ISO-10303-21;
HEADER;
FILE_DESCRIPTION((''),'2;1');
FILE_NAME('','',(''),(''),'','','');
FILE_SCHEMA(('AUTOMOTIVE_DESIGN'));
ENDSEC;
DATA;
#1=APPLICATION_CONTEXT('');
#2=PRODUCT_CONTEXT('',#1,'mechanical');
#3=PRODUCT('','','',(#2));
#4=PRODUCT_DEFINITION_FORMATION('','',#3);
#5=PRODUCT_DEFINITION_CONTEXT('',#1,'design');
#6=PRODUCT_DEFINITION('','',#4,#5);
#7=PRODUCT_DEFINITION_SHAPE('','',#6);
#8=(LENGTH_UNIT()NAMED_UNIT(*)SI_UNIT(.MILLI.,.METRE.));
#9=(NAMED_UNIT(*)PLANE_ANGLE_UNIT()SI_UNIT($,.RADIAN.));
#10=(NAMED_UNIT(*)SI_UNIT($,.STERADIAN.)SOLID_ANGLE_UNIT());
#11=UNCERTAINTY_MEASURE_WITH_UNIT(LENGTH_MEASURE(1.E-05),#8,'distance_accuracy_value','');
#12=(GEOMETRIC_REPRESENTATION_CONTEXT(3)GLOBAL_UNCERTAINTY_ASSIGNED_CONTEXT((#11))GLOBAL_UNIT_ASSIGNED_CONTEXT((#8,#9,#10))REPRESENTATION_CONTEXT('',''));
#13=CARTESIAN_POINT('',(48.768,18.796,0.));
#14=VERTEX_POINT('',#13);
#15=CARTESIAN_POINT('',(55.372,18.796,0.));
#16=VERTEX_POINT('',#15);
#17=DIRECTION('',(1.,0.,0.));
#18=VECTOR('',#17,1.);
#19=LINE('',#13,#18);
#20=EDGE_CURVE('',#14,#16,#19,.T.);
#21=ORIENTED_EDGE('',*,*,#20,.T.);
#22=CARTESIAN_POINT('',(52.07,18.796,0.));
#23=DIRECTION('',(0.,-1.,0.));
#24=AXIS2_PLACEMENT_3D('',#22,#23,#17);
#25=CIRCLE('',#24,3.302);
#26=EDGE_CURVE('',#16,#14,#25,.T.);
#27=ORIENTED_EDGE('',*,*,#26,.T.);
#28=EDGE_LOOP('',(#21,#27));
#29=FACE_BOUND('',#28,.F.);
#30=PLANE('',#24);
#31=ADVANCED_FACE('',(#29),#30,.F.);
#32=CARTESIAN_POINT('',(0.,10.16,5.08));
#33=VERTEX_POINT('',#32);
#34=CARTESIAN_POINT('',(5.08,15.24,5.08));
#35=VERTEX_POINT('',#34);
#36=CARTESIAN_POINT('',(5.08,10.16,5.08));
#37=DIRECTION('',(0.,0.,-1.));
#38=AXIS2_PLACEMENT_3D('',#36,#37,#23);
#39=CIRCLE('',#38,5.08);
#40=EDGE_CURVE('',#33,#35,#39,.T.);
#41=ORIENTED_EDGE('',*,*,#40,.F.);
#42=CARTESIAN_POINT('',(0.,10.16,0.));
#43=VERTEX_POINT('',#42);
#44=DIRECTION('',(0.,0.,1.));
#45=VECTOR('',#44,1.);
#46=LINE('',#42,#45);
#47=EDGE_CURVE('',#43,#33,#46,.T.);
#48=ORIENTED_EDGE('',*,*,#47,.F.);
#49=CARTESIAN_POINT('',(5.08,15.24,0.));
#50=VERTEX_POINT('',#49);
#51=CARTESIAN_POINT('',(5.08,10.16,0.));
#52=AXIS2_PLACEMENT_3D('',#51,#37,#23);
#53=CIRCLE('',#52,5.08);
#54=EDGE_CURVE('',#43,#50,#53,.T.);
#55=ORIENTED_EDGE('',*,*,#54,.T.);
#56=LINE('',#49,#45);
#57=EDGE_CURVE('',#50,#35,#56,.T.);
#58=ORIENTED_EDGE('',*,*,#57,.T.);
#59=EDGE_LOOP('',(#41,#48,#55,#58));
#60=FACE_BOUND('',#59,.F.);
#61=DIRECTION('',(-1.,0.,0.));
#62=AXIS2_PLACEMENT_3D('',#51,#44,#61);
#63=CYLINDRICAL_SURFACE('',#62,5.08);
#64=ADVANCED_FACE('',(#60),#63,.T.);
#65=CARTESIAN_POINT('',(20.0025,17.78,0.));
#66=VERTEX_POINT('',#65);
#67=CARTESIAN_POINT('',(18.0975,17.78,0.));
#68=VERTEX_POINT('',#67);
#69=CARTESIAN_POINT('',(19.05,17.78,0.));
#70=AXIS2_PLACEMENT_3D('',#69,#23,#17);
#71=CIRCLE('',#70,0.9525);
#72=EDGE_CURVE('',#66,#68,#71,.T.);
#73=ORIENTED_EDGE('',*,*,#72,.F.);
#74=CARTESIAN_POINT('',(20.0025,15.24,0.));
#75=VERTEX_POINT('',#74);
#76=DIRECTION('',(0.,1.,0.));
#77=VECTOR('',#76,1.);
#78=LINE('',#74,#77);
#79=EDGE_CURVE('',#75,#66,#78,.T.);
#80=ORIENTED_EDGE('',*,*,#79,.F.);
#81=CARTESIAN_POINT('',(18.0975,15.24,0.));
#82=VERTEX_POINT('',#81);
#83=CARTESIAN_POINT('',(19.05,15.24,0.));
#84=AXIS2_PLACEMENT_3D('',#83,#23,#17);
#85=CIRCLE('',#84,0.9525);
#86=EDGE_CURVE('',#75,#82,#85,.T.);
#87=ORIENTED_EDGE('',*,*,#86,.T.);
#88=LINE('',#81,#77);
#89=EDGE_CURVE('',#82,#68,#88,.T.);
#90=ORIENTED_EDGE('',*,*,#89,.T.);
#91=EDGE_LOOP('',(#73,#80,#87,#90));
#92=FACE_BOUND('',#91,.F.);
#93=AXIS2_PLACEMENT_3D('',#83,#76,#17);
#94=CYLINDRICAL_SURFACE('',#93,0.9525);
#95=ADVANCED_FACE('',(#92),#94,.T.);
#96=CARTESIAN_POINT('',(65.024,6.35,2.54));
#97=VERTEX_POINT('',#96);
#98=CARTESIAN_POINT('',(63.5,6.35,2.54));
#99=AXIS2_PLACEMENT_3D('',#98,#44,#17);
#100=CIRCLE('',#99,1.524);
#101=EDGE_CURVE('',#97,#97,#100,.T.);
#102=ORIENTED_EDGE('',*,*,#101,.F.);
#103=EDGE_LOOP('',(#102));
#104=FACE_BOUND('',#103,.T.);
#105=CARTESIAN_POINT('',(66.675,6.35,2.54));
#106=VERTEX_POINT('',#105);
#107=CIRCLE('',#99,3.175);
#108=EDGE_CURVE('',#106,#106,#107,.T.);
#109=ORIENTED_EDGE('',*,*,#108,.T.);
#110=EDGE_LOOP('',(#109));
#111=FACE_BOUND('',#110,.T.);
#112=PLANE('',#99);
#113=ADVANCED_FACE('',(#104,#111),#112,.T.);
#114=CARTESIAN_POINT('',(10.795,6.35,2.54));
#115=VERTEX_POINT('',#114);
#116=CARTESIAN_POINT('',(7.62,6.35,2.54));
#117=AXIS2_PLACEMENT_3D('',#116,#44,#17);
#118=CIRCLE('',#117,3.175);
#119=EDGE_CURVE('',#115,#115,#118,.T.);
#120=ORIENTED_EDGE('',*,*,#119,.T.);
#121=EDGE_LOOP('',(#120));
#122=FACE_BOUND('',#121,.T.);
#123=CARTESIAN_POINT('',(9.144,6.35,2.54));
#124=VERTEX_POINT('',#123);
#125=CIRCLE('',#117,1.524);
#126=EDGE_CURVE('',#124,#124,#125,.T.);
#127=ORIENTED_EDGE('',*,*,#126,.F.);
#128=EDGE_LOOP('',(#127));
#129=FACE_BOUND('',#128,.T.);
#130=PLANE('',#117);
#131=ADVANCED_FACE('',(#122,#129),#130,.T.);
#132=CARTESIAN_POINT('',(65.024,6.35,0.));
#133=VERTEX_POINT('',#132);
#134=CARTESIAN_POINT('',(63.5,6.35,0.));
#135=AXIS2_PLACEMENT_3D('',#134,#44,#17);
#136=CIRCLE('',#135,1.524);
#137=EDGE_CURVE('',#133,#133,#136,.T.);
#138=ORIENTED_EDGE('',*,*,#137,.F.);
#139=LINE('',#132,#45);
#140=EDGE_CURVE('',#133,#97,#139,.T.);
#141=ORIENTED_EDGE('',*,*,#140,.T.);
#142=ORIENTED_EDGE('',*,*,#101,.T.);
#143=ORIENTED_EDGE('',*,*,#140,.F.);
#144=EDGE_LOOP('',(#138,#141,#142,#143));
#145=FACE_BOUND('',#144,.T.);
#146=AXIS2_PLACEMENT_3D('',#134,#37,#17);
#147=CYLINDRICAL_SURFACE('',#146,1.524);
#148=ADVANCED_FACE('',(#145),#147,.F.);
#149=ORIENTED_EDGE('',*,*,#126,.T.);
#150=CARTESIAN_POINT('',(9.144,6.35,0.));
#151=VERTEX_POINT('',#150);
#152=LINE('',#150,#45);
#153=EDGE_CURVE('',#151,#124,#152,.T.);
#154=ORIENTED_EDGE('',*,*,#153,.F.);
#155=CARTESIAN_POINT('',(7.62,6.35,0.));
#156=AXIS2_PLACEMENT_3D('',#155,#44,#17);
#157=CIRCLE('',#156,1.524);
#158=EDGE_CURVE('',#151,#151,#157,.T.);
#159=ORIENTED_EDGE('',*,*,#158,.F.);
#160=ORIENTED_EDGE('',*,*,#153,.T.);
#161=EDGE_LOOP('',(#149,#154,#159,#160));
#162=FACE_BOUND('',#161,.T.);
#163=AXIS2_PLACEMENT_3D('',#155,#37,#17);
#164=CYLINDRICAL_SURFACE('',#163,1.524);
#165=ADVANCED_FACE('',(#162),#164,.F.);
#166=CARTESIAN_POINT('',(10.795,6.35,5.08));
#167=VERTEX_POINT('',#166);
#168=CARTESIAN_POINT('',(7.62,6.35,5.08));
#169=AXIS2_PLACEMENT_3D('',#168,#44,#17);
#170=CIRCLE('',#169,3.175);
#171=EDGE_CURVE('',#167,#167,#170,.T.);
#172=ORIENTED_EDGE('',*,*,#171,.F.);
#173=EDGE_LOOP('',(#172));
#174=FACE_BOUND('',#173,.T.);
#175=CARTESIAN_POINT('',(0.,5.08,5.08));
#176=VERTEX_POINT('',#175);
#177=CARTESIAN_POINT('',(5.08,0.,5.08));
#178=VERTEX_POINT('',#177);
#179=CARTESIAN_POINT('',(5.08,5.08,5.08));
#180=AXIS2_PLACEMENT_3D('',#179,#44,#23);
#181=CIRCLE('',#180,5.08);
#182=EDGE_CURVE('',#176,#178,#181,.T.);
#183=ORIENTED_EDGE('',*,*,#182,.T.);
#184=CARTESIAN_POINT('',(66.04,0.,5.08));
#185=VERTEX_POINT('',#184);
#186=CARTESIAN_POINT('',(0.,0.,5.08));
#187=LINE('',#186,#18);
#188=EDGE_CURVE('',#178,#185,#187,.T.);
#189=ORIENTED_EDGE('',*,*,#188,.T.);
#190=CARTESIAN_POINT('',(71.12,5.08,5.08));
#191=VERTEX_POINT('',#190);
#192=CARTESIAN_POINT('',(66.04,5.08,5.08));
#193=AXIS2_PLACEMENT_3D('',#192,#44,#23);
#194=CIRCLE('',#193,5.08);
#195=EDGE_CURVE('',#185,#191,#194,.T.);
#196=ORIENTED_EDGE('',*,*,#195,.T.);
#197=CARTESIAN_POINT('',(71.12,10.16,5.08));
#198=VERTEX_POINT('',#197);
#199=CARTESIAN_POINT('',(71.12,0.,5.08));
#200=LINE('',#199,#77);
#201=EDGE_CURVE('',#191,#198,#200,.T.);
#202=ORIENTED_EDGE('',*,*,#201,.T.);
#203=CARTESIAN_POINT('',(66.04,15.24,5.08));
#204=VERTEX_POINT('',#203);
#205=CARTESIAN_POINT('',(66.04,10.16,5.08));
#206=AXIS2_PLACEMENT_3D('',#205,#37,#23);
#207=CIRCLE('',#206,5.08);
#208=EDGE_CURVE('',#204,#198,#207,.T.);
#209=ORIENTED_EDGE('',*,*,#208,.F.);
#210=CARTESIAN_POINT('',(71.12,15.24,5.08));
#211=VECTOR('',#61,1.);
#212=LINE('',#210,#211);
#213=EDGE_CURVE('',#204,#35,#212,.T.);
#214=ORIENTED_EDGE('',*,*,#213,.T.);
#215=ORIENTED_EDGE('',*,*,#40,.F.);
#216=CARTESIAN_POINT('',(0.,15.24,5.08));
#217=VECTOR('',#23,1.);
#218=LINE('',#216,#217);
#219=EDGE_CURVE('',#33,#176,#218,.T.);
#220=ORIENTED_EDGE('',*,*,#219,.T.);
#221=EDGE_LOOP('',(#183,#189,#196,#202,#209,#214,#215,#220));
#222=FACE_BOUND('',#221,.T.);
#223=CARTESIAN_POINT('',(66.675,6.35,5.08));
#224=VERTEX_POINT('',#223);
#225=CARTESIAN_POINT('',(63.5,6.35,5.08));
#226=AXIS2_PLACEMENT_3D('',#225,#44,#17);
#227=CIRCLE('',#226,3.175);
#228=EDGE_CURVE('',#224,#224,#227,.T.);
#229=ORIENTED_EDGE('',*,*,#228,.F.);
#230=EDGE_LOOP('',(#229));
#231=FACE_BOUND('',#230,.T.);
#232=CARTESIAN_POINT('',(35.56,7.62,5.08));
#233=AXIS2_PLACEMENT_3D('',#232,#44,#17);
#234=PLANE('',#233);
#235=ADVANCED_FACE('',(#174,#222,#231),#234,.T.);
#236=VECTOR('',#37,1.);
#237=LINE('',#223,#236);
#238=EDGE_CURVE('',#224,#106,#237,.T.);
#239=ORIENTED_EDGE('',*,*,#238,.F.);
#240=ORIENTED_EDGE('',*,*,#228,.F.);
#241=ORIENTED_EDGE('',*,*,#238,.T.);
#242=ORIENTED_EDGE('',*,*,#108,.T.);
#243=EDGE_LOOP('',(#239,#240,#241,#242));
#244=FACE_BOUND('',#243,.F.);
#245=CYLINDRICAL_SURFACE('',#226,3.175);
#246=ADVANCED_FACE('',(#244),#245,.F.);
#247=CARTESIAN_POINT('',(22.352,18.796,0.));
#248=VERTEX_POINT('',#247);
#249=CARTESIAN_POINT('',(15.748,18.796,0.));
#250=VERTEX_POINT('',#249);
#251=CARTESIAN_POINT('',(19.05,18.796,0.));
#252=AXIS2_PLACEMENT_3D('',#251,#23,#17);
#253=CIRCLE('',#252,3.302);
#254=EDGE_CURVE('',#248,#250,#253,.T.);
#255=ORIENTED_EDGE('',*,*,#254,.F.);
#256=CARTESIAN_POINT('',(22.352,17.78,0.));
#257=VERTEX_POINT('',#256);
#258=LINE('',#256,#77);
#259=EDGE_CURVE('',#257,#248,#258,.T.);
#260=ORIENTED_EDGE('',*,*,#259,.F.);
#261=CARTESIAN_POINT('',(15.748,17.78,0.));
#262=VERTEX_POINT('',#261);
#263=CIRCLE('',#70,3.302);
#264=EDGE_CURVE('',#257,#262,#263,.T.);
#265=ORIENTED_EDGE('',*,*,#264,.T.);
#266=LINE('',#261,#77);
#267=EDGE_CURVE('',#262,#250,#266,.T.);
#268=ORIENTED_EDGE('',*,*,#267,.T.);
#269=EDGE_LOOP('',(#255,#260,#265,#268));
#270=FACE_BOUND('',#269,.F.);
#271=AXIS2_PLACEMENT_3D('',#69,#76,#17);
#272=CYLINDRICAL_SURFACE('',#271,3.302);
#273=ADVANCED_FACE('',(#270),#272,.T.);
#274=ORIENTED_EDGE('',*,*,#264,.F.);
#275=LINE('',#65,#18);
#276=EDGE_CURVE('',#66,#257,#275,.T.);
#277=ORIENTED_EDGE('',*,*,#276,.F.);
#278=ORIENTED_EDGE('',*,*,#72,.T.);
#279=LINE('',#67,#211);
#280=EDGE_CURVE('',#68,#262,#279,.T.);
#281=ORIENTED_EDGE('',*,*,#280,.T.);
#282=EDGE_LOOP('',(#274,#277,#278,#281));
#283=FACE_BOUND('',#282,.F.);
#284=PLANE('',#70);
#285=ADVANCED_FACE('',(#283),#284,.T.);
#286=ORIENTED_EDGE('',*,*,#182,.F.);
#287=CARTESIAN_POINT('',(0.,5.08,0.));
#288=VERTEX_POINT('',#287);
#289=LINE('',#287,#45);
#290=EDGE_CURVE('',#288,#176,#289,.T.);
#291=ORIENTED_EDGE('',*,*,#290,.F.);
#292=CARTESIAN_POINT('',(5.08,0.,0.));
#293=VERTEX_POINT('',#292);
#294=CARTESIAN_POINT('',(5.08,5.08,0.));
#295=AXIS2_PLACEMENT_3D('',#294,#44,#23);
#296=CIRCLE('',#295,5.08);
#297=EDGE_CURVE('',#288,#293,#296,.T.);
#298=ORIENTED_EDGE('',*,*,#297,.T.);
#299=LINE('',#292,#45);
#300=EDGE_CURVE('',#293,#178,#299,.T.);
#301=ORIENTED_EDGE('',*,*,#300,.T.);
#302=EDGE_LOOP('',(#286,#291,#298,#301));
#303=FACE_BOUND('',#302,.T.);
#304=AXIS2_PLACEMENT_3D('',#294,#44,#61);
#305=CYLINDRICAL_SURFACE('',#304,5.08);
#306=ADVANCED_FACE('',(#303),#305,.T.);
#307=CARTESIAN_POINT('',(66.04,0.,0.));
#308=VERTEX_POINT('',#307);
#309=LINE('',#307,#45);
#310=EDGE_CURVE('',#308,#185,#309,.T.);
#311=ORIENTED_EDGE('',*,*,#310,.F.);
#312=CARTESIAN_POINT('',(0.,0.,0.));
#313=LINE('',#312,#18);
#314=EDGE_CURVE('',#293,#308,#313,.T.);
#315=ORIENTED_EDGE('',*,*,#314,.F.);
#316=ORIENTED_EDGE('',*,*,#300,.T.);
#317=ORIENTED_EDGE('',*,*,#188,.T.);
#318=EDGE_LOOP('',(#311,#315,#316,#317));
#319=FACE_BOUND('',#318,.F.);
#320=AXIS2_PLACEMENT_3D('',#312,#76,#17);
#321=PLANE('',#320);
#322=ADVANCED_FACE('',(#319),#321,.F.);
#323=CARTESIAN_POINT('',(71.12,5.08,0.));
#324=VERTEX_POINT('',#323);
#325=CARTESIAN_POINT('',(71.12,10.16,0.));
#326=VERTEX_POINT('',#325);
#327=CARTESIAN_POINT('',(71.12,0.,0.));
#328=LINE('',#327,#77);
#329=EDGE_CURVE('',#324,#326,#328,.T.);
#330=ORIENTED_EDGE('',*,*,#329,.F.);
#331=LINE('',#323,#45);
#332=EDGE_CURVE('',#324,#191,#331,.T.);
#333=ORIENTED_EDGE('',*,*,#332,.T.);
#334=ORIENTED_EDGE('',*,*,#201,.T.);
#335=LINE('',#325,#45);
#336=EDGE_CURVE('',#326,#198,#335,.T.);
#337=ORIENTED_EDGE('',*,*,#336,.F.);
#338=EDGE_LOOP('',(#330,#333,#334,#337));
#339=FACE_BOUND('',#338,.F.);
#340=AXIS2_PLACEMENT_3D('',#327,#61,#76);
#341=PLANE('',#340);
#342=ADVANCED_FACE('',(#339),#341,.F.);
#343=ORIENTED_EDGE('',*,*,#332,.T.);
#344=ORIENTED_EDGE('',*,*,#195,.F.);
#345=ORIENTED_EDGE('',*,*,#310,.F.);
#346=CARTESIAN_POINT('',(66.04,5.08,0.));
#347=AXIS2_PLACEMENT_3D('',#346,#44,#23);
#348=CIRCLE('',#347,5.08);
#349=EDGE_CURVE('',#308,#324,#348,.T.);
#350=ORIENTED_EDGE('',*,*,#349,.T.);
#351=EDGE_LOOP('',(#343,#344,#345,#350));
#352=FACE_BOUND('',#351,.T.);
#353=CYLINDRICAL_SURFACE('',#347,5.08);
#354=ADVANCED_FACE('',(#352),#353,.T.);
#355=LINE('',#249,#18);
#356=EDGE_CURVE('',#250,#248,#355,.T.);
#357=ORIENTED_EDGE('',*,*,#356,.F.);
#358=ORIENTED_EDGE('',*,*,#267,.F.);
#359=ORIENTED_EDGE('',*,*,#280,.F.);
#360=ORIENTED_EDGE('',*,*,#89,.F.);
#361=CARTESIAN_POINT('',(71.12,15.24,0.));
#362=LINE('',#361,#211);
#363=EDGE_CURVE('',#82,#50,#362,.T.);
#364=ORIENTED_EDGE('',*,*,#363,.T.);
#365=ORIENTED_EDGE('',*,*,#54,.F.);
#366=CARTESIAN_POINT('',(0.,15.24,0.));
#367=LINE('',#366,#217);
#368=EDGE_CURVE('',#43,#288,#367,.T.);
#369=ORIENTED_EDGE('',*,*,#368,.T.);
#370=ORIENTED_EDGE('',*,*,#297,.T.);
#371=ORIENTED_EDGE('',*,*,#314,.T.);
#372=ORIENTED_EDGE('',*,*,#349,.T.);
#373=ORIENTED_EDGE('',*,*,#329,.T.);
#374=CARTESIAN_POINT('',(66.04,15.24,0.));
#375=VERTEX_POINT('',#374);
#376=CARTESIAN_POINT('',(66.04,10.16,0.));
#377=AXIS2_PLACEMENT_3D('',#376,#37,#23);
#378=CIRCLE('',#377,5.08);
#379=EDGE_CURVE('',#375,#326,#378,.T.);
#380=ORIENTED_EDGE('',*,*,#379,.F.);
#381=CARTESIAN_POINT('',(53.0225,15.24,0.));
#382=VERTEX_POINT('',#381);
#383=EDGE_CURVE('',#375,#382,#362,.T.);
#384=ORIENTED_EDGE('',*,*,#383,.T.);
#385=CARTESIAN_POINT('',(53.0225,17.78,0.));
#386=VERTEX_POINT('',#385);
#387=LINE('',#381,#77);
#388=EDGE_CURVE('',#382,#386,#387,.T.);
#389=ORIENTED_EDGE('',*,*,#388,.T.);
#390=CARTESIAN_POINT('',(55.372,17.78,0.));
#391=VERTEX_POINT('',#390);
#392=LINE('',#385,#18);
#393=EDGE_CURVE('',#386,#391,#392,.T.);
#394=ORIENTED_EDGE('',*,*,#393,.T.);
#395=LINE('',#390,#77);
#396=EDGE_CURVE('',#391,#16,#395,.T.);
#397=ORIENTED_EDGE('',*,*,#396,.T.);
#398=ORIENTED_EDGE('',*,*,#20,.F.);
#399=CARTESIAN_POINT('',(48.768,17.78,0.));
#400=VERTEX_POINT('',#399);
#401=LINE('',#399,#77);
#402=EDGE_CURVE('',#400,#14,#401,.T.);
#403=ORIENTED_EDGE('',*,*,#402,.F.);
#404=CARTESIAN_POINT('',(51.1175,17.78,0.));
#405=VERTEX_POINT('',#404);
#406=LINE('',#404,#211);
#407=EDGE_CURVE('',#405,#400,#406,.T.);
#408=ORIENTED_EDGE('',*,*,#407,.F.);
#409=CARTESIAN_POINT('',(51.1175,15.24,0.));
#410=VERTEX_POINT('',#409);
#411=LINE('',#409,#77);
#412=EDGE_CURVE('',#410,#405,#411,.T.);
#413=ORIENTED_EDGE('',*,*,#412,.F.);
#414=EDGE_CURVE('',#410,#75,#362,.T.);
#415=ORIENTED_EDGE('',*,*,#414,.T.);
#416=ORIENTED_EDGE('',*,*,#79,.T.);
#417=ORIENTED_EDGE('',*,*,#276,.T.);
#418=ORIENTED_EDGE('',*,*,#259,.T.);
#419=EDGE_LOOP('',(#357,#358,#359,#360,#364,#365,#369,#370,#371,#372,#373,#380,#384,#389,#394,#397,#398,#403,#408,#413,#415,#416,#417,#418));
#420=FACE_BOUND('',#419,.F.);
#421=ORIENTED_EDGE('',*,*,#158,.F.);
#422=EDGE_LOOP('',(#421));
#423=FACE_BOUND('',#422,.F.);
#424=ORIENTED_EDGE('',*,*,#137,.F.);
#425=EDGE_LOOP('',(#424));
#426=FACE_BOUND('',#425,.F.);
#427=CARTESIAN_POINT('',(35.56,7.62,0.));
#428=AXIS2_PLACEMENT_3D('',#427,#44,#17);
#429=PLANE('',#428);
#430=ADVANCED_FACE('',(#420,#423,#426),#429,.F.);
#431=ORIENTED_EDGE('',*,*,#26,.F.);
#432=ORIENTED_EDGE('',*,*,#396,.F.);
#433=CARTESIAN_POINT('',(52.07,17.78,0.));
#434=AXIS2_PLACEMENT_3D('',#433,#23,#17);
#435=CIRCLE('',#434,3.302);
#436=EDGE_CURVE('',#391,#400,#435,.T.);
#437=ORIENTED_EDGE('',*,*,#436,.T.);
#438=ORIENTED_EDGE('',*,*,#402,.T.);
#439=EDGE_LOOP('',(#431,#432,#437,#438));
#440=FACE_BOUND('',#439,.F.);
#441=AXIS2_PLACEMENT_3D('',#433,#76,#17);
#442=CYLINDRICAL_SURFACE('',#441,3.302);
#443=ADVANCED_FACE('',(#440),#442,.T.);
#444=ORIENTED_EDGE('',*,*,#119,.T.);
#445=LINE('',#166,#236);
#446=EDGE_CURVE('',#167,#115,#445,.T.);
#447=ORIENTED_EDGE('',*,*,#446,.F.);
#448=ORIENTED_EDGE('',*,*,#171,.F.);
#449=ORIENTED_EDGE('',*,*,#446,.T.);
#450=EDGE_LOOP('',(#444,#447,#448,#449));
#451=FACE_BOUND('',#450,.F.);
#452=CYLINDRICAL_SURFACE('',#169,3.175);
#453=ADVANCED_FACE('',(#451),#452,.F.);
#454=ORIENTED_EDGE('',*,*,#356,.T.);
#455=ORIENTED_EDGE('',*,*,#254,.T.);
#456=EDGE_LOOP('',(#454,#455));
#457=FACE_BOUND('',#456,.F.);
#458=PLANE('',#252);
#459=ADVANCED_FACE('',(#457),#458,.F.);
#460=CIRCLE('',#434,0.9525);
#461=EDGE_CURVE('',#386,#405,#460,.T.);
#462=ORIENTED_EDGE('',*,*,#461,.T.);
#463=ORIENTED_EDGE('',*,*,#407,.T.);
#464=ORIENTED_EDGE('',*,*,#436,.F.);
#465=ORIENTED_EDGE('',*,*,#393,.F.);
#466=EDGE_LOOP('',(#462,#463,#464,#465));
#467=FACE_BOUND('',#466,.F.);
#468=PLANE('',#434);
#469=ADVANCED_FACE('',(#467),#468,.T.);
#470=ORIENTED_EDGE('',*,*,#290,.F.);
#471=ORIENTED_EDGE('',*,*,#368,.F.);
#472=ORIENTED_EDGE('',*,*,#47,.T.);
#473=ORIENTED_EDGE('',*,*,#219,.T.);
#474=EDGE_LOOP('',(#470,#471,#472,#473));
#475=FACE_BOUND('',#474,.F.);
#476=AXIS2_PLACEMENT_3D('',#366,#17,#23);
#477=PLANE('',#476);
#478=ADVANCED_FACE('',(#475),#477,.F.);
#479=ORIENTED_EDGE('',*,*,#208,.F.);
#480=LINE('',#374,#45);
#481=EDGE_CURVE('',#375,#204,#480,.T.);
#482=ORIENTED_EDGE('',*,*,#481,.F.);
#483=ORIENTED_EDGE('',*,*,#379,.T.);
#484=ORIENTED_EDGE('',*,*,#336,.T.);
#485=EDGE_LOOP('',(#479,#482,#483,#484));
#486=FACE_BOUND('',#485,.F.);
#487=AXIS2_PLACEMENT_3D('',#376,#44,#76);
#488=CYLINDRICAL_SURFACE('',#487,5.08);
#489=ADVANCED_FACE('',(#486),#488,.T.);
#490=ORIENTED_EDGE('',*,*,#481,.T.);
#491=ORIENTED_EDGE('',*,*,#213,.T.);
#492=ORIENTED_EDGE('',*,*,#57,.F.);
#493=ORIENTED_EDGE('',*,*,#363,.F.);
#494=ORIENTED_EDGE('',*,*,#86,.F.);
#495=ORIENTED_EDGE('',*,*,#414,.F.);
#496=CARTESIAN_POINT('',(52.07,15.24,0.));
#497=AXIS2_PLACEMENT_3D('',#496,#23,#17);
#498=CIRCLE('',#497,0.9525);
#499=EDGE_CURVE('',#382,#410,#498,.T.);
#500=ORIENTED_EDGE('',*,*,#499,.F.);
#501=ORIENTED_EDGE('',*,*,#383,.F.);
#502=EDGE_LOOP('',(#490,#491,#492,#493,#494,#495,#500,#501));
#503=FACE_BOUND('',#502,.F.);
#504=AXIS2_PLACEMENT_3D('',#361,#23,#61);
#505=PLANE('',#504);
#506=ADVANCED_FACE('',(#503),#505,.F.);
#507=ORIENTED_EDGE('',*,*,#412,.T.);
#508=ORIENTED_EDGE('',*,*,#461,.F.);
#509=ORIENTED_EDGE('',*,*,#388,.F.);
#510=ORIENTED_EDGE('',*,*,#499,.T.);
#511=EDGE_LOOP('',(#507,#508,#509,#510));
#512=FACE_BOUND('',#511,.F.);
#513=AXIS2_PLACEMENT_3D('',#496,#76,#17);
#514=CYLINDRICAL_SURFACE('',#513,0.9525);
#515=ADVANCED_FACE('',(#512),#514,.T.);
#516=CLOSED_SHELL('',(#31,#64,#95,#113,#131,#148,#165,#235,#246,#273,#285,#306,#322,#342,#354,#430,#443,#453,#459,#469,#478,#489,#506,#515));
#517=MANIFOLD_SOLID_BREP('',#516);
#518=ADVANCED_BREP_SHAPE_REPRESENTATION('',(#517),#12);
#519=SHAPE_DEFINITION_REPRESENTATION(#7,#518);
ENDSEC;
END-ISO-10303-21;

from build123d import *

# Parameters (mm, degrees)
F0_R     = 1.524
F1_DEPTH = 5.08
F2_ANGLE = 180
F3_ANGLE = 180
F4_R     = 3.175
F4_R_2   = 1.524
F5_DEPTH = 2.54
F6_R     = 5.08


with BuildPart() as f1:
    # F0 (on Top) → F1 (new body)
    with BuildSketch(Plane.XY):
        Polygon((0, 15.24), (0, 0), (71.12, 0), (71.12, 15.24), (53.0225, 15.24), (52.07, 15.24), (20.0025, 15.24), (19.05, 15.24), align=None)
        with Locations((7.62, 6.35)):
            Circle(F0_R, mode=Mode.SUBTRACT)
        with Locations((63.5, 6.35)):
            Circle(F0_R, mode=Mode.SUBTRACT)
    extrude(amount=F1_DEPTH)

    # F0 (on Top) → F2 (revolve)
    with BuildSketch(Plane.XY):
        Polygon((19.05, 18.796), (19.05, 15.24), (20.0025, 15.24), (20.0025, 17.78), (22.352, 17.78), (22.352, 18.796), align=None)
    revolve(axis=Axis((19.05, 5.626085, 0), (0, -1, 0)), revolution_arc=F2_ANGLE)

    # F0 (on Top) → F3 (revolve)
    with BuildSketch(Plane.XY):
        Polygon((52.07, 15.24), (53.0225, 15.24), (53.0225, 17.78), (55.372, 17.78), (55.372, 18.796), (52.07, 18.796), align=None)
    revolve(axis=Axis((52.07, 5.626085, 0), (0, -1, 0)), revolution_arc=F3_ANGLE)

    # F4 (on face) → F5 (cut)
    with BuildSketch(Plane.XY.offset(5.08)):
        with Locations((7.62, 6.35)):
            Circle(F4_R)
        with Locations((7.62, 6.35)):
            Circle(F4_R_2, mode=Mode.SUBTRACT)
        with Locations((63.5, 6.35)):
            Circle(F4_R)
        with Locations((63.5, 6.35)):
            Circle(F4_R_2, mode=Mode.SUBTRACT)
    extrude(amount=-F5_DEPTH, mode=Mode.SUBTRACT)

    # F6
    f6_edges = [f1.edges().sort_by_distance(p)[0] for p in [
        (71.12, 15.24, 2.54),
        (71.12, 0, 2.54),
        (0, 15.24, 2.54),
        (0, 0, 2.54),
    ]]
    fillet(f6_edges, radius=F6_R)


solid = f1.part
